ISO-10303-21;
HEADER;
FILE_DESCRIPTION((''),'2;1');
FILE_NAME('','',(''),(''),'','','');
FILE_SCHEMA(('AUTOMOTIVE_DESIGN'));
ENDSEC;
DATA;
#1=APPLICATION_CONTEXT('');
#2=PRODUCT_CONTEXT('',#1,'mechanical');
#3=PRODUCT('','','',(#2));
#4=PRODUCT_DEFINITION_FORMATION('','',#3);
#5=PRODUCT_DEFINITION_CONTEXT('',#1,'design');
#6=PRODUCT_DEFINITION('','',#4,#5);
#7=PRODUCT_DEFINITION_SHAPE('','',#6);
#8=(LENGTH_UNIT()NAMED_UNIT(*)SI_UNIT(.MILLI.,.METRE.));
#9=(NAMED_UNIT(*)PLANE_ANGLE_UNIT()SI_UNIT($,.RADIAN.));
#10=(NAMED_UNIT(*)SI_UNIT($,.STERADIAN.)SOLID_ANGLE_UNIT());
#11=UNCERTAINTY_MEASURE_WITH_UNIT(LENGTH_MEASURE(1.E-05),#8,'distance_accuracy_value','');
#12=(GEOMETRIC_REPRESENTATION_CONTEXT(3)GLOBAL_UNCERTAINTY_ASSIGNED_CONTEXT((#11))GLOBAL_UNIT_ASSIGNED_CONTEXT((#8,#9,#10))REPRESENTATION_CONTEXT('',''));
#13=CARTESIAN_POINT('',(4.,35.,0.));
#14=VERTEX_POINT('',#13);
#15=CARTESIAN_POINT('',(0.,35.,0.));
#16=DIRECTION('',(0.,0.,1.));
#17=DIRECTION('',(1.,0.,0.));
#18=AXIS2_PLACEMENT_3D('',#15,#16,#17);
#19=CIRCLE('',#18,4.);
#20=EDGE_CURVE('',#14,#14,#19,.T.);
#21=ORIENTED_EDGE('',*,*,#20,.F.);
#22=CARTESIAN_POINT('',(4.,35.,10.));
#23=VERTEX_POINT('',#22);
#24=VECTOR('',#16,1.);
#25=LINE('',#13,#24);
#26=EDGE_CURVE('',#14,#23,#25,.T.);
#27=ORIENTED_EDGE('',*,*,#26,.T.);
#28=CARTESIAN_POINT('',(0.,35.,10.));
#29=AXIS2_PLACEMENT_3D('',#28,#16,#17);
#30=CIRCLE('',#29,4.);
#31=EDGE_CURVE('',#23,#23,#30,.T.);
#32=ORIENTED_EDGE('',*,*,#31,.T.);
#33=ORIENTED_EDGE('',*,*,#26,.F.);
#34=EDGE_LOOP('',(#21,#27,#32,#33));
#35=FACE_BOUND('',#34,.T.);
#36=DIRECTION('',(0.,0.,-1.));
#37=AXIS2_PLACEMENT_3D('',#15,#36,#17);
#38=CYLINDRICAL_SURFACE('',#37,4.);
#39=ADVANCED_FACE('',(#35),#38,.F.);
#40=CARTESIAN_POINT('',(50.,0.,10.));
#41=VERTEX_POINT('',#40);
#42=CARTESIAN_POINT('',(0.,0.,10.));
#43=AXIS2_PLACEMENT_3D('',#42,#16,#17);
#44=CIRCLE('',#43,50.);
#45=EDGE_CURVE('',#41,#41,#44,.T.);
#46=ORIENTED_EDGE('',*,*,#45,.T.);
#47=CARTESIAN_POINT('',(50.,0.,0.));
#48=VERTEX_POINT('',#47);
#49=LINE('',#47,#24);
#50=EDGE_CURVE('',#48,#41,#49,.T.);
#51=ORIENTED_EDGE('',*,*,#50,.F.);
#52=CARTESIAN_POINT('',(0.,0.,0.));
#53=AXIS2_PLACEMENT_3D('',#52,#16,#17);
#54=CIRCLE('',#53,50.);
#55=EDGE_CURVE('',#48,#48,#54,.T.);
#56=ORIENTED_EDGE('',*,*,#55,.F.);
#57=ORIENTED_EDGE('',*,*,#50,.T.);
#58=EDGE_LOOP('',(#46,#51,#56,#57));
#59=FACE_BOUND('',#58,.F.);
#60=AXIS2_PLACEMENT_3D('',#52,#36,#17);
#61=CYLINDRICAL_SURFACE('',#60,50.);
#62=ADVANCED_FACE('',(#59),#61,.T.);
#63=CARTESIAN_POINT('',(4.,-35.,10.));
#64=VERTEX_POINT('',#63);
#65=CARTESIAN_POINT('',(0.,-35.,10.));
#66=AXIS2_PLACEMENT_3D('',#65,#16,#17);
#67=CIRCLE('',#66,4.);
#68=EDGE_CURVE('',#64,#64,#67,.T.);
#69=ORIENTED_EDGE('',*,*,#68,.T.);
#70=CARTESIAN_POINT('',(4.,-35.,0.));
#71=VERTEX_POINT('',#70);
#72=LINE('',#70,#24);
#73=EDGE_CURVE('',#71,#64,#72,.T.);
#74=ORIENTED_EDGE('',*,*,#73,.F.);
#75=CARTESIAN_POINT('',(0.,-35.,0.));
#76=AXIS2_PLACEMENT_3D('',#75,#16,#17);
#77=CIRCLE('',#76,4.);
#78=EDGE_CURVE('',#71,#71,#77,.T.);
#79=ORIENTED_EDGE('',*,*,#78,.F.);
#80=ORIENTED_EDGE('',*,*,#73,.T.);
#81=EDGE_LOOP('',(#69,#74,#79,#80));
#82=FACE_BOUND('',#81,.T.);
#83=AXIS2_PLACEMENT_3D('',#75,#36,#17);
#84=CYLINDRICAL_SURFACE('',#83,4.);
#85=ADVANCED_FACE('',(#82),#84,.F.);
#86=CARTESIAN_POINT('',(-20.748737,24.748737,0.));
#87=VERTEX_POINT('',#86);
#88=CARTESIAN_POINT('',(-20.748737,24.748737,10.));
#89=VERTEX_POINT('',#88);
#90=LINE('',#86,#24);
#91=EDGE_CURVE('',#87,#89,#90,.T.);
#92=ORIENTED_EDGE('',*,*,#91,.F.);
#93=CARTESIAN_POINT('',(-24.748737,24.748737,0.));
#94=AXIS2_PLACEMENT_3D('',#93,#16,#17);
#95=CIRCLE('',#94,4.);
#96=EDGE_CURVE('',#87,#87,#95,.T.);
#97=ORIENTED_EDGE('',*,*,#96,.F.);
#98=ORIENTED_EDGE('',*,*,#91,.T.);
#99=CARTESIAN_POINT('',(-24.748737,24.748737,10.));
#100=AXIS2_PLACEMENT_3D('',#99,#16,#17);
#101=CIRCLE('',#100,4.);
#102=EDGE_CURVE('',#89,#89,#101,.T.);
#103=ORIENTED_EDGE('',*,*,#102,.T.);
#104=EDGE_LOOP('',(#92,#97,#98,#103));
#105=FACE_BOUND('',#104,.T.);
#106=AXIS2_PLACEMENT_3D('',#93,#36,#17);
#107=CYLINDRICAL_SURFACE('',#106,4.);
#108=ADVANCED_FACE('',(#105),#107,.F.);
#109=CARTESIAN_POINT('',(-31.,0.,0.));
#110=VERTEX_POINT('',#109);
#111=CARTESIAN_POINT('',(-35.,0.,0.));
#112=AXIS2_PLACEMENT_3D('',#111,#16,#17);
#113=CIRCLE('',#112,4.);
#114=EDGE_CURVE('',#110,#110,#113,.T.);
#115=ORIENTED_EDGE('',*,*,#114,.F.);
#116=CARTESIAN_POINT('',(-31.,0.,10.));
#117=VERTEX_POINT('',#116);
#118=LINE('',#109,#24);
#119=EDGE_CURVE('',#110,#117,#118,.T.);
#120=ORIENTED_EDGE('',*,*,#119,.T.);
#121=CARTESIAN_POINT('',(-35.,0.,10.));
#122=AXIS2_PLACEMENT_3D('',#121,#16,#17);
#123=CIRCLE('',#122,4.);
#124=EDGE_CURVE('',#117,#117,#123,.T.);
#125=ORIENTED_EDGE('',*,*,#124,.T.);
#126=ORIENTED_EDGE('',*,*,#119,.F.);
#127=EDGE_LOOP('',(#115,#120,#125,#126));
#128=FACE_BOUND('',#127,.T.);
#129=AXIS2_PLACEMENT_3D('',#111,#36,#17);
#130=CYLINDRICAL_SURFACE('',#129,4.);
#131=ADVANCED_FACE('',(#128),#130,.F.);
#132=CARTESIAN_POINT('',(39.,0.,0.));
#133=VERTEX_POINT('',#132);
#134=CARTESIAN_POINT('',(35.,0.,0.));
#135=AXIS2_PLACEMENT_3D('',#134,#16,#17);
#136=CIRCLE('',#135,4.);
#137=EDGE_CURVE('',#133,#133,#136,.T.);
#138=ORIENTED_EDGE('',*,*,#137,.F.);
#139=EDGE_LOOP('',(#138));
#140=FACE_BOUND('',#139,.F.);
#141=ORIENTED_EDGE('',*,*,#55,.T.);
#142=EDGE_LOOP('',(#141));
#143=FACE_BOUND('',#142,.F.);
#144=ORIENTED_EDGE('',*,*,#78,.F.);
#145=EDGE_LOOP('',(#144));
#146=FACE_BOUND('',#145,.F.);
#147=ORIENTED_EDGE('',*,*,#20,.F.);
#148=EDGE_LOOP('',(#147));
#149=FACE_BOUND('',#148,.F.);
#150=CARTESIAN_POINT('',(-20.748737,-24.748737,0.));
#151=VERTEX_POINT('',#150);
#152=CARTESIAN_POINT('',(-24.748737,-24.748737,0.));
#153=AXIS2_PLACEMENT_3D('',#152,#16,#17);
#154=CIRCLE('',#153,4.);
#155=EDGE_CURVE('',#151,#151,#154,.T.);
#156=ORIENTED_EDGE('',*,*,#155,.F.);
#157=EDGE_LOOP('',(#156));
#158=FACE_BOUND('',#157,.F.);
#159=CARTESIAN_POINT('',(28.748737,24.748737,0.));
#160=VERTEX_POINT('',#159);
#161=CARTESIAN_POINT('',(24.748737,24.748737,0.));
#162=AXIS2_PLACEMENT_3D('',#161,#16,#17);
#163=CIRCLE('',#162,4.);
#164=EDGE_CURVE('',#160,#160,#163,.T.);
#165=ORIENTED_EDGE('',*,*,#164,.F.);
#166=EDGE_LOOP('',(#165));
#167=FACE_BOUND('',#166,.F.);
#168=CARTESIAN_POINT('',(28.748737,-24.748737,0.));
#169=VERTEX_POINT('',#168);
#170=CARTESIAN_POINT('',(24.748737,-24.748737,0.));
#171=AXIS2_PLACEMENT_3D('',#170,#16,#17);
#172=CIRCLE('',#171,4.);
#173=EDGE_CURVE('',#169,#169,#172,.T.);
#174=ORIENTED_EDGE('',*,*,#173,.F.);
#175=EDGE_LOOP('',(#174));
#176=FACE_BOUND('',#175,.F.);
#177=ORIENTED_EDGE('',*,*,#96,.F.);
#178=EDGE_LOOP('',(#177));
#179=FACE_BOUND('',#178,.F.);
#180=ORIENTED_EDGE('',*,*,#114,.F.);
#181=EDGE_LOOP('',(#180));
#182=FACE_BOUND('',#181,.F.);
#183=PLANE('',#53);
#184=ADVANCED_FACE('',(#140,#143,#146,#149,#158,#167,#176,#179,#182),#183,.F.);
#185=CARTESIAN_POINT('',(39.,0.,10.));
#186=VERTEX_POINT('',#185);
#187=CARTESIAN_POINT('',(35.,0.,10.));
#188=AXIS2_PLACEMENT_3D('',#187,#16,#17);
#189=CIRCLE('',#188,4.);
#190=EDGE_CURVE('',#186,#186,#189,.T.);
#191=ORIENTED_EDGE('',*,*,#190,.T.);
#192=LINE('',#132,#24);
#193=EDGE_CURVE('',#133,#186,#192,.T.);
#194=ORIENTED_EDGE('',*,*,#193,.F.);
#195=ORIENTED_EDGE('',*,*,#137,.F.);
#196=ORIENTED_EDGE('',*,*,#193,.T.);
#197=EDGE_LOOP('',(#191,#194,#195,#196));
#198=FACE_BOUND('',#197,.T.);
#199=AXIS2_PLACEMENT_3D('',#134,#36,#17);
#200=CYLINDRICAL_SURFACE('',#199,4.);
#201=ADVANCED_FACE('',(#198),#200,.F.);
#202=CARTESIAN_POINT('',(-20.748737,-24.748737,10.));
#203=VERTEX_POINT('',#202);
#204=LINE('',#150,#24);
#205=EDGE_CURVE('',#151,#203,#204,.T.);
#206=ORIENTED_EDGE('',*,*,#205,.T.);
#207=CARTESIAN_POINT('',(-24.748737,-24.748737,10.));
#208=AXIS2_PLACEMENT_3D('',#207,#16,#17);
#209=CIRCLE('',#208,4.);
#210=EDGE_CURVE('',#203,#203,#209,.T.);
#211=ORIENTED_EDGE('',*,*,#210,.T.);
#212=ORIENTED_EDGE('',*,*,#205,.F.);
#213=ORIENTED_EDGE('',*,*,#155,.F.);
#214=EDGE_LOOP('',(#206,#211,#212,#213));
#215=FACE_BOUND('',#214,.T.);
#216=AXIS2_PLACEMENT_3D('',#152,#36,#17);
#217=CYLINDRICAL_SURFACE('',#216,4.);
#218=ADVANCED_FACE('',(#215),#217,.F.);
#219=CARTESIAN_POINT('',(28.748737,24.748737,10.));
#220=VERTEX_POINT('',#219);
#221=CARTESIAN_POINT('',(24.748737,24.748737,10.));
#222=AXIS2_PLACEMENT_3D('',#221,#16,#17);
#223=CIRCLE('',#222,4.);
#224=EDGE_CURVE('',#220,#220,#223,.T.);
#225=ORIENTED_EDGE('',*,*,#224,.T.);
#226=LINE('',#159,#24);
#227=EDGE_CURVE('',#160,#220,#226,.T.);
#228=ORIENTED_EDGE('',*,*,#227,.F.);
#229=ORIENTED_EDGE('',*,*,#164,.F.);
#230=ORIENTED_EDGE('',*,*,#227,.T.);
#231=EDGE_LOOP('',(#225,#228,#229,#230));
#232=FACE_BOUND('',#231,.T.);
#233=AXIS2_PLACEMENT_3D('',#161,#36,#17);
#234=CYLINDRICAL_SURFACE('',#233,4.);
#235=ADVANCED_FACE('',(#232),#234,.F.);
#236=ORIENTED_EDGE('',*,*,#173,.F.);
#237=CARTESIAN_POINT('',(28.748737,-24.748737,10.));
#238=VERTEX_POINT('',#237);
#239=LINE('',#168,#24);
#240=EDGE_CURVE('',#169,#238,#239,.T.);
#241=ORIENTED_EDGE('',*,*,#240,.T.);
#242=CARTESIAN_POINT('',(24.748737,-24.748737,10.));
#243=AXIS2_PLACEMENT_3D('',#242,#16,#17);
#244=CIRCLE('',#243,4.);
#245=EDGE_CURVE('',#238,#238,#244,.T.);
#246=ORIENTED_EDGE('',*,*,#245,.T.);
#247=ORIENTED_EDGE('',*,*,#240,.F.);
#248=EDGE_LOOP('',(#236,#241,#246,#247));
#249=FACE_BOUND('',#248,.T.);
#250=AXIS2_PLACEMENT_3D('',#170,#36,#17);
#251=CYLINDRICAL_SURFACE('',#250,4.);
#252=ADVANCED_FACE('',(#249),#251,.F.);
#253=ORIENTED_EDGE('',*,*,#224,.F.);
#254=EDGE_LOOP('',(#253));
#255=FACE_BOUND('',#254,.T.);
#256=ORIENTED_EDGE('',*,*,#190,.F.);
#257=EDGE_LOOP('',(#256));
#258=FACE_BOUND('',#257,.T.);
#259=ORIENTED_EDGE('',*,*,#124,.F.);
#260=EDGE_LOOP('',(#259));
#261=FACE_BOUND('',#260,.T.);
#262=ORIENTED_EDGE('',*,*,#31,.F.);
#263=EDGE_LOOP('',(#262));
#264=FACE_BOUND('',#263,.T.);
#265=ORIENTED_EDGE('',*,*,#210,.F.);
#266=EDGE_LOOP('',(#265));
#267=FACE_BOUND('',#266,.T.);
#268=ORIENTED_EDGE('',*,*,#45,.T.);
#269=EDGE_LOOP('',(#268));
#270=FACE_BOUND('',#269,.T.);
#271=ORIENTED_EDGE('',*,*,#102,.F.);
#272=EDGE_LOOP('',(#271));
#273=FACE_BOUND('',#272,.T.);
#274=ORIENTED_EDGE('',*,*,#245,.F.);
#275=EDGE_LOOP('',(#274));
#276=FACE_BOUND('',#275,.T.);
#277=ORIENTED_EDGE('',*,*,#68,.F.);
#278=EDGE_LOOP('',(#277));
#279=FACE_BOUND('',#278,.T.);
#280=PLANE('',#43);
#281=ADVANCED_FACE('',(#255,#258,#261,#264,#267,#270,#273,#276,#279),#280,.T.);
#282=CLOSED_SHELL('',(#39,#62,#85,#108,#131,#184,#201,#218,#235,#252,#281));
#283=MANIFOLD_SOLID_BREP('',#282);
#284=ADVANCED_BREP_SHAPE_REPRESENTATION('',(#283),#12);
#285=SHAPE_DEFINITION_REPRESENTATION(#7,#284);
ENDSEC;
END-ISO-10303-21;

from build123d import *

# Parameters (mm, degrees)
F0_R     = 50
F0_R_2   = 4
F1_DEPTH = 10


with BuildPart() as f1:
    # F0 (on Top) → F1 (new body)
    with BuildSketch(Plane.XY):
        Circle(F0_R)
        with Locations((-24.748737, -24.748737)):
            Circle(F0_R_2, mode=Mode.SUBTRACT)
        with Locations((0, -35)):
            Circle(F0_R_2, mode=Mode.SUBTRACT)
        with Locations((24.748737, -24.748737)):
            Circle(F0_R_2, mode=Mode.SUBTRACT)
        with Locations((-35, 0)):
            Circle(F0_R_2, mode=Mode.SUBTRACT)
        with Locations((-24.748737, 24.748737)):
            Circle(F0_R_2, mode=Mode.SUBTRACT)
        with Locations((24.748737, 24.748737)):
            Circle(F0_R_2, mode=Mode.SUBTRACT)
        with Locations((35, 0)):
            Circle(F0_R_2, mode=Mode.SUBTRACT)
        with Locations((0, 35)):
            Circle(F0_R_2, mode=Mode.SUBTRACT)
    extrude(amount=F1_DEPTH)


solid = f1.part
